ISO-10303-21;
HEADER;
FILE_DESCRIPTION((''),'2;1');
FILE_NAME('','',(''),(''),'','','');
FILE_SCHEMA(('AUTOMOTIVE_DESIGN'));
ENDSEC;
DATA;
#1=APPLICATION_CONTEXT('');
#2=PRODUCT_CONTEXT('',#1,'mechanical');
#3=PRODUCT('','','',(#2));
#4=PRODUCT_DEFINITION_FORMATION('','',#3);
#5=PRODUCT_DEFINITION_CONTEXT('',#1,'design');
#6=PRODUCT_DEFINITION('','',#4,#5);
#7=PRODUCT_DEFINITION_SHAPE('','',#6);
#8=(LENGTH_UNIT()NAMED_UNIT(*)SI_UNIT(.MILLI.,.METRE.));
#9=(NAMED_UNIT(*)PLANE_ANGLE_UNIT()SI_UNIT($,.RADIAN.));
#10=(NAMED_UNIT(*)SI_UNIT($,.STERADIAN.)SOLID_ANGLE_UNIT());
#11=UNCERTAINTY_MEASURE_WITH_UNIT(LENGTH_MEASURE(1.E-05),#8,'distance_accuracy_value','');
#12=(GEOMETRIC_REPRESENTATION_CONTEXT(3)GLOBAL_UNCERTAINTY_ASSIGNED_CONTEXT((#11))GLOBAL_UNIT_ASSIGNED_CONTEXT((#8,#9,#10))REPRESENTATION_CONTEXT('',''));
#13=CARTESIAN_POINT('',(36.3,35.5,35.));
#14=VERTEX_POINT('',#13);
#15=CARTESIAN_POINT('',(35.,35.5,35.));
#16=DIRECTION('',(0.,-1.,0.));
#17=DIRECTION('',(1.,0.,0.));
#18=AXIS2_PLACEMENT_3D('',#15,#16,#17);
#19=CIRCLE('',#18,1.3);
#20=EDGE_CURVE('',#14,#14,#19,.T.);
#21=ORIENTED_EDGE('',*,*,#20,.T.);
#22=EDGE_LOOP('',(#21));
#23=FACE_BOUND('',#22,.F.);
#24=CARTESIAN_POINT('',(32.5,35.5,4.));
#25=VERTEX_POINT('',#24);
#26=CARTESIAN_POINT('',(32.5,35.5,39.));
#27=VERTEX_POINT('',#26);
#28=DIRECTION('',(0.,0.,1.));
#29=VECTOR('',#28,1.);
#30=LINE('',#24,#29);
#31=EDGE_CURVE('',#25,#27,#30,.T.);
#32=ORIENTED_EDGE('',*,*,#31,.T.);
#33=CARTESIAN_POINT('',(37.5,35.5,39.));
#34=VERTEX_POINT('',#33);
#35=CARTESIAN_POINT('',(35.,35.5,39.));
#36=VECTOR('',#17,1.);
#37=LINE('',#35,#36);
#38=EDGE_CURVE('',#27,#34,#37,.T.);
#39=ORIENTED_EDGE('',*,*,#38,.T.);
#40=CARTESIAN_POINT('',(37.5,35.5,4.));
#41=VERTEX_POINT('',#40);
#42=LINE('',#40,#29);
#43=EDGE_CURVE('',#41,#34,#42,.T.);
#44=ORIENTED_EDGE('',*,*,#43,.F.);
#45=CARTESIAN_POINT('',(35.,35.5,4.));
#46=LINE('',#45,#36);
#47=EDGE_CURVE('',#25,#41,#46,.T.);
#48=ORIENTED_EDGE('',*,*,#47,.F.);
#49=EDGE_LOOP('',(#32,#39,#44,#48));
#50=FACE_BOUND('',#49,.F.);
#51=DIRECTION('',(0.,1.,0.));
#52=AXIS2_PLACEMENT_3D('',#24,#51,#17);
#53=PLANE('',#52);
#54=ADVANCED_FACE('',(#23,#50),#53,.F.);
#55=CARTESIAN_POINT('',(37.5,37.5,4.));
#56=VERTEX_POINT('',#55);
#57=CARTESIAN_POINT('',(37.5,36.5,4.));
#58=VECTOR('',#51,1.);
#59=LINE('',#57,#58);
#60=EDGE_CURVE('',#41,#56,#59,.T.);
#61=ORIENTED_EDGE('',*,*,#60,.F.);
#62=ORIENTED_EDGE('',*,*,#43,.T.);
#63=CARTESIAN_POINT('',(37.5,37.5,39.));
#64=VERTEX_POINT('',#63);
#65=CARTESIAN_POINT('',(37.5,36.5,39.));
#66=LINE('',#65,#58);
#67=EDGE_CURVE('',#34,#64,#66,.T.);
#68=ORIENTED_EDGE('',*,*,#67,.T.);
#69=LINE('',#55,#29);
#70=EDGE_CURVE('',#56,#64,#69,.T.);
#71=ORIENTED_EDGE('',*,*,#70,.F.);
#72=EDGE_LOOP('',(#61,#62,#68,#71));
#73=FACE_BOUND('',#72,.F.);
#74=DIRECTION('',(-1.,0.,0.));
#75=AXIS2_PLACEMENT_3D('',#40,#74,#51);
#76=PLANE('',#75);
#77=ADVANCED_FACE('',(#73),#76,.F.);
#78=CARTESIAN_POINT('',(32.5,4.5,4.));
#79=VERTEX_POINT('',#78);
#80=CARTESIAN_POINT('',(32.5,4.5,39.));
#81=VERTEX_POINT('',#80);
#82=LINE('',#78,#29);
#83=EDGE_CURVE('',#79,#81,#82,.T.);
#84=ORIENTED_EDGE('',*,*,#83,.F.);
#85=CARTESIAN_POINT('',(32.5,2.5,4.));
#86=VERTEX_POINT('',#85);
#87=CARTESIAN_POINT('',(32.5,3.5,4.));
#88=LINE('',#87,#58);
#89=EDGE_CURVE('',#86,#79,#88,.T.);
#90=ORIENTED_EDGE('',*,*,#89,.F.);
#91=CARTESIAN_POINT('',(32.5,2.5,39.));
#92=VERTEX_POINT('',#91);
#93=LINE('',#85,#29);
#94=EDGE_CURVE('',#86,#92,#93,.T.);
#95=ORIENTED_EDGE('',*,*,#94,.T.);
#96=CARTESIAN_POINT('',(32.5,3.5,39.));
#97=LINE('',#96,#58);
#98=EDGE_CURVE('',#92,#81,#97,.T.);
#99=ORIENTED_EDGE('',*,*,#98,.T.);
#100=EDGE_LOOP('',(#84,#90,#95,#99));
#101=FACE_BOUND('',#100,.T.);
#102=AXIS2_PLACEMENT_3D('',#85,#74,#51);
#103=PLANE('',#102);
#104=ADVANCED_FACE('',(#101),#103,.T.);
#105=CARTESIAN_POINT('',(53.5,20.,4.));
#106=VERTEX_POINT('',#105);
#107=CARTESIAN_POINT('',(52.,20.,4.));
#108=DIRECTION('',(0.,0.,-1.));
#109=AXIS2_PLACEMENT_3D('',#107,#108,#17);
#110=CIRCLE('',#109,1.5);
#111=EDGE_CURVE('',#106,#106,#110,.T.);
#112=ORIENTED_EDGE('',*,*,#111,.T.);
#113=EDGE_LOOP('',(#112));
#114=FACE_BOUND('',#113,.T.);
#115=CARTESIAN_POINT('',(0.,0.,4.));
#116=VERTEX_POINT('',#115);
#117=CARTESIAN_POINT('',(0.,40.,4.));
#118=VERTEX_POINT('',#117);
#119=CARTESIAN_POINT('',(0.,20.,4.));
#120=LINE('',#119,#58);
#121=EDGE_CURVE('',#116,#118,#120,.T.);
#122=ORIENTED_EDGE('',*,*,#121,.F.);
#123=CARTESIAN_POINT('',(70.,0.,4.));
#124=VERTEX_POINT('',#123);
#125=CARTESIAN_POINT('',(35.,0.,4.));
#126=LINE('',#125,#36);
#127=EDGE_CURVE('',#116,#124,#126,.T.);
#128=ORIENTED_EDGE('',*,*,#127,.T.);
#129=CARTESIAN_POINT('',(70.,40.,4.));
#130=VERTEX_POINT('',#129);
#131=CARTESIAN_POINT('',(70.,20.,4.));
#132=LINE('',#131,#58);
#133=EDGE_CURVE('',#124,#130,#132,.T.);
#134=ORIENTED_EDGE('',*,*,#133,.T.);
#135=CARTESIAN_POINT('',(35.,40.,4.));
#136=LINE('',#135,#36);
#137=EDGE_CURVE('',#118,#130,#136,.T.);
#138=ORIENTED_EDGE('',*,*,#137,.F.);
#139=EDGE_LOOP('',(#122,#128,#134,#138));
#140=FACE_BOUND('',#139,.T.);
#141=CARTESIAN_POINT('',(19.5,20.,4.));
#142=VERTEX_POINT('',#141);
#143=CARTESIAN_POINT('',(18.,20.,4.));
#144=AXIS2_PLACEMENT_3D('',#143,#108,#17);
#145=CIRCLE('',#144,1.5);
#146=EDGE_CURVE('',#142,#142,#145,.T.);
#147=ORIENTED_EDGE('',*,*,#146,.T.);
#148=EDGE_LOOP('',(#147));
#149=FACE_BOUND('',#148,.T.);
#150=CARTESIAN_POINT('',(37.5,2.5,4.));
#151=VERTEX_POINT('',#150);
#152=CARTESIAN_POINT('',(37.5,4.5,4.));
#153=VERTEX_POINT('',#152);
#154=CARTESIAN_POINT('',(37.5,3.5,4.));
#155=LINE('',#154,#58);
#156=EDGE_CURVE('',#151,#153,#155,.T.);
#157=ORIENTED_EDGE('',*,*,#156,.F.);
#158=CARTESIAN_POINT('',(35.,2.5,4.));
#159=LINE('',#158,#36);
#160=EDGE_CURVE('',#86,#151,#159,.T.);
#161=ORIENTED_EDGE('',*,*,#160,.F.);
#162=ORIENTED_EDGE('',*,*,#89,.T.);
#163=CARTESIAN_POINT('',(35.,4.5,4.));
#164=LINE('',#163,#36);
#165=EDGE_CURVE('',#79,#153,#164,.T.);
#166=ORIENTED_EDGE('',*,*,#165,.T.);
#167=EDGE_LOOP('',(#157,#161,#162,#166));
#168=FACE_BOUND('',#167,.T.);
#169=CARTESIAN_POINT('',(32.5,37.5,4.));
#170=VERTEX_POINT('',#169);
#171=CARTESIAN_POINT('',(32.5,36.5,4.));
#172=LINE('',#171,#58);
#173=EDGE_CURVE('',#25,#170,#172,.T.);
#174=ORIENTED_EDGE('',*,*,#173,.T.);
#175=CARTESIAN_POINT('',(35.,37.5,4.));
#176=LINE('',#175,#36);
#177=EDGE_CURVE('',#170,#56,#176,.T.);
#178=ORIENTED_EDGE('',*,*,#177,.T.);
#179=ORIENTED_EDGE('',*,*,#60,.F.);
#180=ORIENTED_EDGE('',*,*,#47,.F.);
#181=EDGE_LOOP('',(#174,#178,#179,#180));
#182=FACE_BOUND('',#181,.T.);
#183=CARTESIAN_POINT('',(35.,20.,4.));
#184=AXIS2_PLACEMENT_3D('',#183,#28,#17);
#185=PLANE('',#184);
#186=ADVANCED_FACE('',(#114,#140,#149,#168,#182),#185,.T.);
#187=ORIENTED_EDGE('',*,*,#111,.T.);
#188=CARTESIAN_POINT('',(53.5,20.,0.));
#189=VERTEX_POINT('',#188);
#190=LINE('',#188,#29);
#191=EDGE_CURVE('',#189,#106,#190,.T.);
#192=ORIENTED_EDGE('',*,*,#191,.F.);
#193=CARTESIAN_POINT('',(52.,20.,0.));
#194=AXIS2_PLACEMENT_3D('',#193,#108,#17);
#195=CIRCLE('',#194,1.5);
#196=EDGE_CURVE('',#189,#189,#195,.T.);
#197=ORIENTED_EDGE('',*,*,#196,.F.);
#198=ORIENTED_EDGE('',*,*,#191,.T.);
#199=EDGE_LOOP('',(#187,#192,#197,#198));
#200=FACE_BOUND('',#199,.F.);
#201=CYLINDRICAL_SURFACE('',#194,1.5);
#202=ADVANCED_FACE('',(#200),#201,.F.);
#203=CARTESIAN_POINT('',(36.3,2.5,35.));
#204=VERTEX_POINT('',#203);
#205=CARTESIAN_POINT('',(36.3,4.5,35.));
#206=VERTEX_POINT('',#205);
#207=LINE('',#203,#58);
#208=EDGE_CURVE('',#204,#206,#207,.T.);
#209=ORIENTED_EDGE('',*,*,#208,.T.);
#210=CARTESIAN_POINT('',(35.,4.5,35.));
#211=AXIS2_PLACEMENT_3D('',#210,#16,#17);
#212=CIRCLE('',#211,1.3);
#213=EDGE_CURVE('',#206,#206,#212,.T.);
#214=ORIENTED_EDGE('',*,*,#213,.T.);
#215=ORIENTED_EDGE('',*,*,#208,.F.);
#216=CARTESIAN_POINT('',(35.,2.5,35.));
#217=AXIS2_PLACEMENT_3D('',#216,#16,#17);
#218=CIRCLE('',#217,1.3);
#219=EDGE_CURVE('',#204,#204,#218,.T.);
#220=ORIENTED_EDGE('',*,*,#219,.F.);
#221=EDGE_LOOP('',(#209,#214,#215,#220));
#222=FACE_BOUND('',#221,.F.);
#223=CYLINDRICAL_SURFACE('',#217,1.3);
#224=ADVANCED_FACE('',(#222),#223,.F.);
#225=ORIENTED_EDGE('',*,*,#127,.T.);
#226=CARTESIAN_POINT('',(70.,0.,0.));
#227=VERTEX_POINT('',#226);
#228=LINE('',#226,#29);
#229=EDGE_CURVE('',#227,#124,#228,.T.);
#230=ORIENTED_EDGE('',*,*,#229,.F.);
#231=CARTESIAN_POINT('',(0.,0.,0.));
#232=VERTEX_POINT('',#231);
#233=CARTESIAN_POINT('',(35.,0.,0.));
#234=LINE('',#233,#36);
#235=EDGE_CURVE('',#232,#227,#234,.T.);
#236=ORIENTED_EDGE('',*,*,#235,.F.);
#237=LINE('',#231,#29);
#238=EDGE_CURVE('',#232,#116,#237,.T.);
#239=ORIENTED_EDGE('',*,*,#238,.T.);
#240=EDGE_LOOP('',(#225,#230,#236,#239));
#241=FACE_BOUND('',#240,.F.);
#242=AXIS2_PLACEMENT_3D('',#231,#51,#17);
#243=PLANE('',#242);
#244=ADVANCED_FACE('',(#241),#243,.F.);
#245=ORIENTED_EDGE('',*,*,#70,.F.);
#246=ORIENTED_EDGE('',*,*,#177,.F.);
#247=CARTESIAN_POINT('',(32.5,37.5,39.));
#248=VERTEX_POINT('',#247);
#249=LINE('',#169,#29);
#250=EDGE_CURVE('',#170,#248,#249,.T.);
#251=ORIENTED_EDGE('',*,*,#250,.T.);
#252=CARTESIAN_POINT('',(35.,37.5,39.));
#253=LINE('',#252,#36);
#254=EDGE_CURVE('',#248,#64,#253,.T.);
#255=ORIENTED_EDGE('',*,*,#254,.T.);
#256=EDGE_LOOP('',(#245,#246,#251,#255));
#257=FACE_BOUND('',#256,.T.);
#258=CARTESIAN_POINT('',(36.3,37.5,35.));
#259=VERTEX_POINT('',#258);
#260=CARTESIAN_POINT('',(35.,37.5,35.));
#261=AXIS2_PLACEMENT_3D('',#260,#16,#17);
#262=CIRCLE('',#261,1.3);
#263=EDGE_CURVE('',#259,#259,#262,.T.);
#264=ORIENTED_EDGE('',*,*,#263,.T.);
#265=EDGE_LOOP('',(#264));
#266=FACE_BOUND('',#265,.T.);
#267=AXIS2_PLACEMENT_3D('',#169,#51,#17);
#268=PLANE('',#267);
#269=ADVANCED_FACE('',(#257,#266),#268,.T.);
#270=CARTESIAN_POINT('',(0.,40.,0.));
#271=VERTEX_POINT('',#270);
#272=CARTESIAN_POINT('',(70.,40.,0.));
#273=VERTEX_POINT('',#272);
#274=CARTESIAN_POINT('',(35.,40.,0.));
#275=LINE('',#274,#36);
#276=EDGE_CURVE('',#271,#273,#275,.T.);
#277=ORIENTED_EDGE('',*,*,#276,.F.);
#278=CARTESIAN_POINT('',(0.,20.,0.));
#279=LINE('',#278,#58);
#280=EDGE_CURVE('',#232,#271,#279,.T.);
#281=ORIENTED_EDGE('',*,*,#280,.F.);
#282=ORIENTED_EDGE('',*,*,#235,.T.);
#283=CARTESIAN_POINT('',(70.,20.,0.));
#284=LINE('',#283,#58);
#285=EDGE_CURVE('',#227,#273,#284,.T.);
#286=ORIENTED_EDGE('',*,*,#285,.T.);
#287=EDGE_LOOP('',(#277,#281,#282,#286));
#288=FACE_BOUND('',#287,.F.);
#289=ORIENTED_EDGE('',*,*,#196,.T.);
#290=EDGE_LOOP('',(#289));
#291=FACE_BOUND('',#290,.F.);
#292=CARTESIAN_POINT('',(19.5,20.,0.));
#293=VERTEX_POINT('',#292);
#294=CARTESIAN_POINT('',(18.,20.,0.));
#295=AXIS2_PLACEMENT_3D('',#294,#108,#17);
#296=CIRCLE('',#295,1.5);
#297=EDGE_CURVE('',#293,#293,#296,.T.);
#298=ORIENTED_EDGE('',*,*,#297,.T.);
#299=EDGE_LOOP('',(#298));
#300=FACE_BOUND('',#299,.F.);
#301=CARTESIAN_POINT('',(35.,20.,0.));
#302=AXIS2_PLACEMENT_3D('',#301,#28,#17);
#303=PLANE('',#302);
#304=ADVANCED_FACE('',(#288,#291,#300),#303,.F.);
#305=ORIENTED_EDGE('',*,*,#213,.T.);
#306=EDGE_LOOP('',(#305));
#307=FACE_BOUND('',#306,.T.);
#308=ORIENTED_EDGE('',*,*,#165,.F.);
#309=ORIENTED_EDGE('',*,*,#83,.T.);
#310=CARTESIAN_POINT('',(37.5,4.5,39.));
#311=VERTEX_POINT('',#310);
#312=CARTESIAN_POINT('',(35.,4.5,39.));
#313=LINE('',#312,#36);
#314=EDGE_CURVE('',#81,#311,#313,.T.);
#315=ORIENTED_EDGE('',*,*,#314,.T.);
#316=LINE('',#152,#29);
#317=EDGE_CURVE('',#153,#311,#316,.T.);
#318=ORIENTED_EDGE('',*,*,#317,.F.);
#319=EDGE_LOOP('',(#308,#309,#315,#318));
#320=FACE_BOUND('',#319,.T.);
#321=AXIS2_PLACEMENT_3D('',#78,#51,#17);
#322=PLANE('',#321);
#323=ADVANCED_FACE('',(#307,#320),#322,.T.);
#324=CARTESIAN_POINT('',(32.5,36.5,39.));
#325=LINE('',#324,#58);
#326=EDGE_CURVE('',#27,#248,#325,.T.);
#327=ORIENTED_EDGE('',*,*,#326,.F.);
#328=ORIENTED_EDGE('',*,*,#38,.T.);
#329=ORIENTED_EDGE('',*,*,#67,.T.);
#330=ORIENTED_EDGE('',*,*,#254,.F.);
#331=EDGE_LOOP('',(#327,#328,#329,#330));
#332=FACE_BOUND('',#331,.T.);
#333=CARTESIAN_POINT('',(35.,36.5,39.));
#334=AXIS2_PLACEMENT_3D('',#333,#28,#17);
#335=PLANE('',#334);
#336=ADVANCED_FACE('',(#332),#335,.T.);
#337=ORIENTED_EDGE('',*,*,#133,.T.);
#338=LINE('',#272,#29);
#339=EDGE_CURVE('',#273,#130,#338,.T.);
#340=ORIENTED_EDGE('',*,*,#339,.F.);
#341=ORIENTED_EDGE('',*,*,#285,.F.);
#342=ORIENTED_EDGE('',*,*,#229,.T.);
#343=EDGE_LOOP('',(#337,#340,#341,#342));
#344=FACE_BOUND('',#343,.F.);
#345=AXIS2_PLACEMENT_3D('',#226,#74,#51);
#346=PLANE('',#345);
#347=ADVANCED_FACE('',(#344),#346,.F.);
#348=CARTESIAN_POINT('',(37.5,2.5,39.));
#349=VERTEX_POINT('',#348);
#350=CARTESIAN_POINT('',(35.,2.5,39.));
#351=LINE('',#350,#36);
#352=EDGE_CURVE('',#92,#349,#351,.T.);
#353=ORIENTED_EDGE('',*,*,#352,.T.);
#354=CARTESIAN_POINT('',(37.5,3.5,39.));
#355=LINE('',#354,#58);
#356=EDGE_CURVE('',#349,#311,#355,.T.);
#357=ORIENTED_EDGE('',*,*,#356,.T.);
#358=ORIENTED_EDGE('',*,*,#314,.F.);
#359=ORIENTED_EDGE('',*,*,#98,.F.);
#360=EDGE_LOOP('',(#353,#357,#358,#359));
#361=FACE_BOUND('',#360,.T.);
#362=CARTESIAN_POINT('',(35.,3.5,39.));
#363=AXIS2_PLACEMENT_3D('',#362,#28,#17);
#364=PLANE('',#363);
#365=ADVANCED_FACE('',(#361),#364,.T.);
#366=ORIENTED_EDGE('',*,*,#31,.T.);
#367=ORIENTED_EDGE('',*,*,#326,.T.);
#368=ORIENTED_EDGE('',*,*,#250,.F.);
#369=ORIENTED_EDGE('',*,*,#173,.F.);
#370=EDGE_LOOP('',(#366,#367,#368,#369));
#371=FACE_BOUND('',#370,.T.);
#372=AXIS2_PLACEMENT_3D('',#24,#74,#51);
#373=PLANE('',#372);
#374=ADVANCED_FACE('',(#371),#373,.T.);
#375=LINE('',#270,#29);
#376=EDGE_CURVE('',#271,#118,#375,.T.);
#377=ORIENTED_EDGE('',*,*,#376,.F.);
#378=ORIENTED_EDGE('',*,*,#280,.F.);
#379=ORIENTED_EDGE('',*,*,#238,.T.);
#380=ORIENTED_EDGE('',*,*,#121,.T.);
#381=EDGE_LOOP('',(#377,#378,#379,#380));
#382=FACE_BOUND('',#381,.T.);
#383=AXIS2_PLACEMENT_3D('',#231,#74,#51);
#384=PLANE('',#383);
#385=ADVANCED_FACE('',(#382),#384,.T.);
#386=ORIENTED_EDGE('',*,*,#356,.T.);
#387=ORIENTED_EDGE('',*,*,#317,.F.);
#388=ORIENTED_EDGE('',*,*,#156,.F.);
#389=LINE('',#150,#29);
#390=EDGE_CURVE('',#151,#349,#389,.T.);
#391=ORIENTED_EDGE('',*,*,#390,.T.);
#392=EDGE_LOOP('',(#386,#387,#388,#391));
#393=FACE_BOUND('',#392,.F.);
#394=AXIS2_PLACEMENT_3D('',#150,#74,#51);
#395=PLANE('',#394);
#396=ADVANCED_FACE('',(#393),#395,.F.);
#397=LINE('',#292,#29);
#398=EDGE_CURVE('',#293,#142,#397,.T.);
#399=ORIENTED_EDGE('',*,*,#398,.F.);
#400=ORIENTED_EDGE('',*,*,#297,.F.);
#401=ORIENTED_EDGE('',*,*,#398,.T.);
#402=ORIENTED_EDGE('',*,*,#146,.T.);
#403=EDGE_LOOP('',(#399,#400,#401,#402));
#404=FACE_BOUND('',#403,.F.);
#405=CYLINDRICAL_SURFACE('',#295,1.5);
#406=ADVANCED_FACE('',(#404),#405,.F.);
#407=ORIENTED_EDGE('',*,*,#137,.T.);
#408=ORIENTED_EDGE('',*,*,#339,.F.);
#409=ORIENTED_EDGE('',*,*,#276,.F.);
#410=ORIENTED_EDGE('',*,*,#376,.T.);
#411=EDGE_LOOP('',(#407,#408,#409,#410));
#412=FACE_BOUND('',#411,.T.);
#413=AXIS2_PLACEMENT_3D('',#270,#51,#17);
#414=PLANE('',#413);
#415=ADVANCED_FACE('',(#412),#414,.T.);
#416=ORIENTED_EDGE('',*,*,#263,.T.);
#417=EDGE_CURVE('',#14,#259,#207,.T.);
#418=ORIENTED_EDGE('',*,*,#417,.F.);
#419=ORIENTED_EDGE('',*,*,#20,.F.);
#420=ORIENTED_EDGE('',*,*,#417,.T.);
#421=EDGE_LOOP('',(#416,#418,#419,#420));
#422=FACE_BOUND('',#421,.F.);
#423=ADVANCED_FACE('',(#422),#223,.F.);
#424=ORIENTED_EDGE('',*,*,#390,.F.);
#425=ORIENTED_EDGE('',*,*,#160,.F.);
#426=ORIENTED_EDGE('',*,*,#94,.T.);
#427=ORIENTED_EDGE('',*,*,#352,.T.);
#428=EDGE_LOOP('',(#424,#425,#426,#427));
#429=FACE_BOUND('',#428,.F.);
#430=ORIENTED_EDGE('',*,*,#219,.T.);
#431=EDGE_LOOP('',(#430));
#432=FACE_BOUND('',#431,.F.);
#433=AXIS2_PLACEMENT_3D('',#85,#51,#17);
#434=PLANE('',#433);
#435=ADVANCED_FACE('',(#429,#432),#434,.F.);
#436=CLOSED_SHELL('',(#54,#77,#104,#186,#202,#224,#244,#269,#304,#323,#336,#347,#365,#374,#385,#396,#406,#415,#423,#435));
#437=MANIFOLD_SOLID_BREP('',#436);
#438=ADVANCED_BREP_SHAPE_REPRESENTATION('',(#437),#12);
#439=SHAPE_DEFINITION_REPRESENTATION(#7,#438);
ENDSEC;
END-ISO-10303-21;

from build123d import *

# Parameters (mm, degrees)
SKETCH_W        = 70
SKETCH_H        = 40
PAD_DEPTH       = 4
SKETCH001_W     = 5
SKETCH001_H     = 2
PAD001_DEPTH    = 35
SKETCH002_R     = 1.3
POCKET_DEPTH    = 37
SKETCH003_R     = 1.5
POCKET001_DEPTH = 5


with BuildPart() as part:
    # Sketch → Pad (new body)
    with BuildSketch(Plane.XY):
        with Locations((35, 20)):
            Rectangle(SKETCH_W, SKETCH_H)
    extrude(amount=PAD_DEPTH)

    # Sketch001 (on Face6 of Pad) → Pad001 (join)
    with BuildSketch(Plane.XY.offset(4)):
        with Locations((35, 36.5)):
            Rectangle(SKETCH001_W, SKETCH001_H)
        with Locations((35, 3.5)):
            Rectangle(SKETCH001_W, SKETCH001_H)
    extrude(amount=PAD001_DEPTH)

    # Sketch002 (on Face8 of Pad001) → Pocket (cut)
    with BuildSketch(Plane.XZ.offset(-2.5)):
        with Locations((35, 35)):
            Circle(SKETCH002_R)
    extrude(amount=-POCKET_DEPTH, mode=Mode.SUBTRACT)

    # Sketch003 (on Face4 of Pocket) → Pocket001 (cut)
    with BuildSketch(Plane(origin=(0, 0, 0), x_dir=(1, 0, 0), z_dir=(0, 0, -1))):
        with Locations((18, -20)):
            Circle(SKETCH003_R)
        with Locations((52, -20)):
            Circle(SKETCH003_R)
    extrude(amount=-POCKET001_DEPTH, mode=Mode.SUBTRACT)


solid = part.part
